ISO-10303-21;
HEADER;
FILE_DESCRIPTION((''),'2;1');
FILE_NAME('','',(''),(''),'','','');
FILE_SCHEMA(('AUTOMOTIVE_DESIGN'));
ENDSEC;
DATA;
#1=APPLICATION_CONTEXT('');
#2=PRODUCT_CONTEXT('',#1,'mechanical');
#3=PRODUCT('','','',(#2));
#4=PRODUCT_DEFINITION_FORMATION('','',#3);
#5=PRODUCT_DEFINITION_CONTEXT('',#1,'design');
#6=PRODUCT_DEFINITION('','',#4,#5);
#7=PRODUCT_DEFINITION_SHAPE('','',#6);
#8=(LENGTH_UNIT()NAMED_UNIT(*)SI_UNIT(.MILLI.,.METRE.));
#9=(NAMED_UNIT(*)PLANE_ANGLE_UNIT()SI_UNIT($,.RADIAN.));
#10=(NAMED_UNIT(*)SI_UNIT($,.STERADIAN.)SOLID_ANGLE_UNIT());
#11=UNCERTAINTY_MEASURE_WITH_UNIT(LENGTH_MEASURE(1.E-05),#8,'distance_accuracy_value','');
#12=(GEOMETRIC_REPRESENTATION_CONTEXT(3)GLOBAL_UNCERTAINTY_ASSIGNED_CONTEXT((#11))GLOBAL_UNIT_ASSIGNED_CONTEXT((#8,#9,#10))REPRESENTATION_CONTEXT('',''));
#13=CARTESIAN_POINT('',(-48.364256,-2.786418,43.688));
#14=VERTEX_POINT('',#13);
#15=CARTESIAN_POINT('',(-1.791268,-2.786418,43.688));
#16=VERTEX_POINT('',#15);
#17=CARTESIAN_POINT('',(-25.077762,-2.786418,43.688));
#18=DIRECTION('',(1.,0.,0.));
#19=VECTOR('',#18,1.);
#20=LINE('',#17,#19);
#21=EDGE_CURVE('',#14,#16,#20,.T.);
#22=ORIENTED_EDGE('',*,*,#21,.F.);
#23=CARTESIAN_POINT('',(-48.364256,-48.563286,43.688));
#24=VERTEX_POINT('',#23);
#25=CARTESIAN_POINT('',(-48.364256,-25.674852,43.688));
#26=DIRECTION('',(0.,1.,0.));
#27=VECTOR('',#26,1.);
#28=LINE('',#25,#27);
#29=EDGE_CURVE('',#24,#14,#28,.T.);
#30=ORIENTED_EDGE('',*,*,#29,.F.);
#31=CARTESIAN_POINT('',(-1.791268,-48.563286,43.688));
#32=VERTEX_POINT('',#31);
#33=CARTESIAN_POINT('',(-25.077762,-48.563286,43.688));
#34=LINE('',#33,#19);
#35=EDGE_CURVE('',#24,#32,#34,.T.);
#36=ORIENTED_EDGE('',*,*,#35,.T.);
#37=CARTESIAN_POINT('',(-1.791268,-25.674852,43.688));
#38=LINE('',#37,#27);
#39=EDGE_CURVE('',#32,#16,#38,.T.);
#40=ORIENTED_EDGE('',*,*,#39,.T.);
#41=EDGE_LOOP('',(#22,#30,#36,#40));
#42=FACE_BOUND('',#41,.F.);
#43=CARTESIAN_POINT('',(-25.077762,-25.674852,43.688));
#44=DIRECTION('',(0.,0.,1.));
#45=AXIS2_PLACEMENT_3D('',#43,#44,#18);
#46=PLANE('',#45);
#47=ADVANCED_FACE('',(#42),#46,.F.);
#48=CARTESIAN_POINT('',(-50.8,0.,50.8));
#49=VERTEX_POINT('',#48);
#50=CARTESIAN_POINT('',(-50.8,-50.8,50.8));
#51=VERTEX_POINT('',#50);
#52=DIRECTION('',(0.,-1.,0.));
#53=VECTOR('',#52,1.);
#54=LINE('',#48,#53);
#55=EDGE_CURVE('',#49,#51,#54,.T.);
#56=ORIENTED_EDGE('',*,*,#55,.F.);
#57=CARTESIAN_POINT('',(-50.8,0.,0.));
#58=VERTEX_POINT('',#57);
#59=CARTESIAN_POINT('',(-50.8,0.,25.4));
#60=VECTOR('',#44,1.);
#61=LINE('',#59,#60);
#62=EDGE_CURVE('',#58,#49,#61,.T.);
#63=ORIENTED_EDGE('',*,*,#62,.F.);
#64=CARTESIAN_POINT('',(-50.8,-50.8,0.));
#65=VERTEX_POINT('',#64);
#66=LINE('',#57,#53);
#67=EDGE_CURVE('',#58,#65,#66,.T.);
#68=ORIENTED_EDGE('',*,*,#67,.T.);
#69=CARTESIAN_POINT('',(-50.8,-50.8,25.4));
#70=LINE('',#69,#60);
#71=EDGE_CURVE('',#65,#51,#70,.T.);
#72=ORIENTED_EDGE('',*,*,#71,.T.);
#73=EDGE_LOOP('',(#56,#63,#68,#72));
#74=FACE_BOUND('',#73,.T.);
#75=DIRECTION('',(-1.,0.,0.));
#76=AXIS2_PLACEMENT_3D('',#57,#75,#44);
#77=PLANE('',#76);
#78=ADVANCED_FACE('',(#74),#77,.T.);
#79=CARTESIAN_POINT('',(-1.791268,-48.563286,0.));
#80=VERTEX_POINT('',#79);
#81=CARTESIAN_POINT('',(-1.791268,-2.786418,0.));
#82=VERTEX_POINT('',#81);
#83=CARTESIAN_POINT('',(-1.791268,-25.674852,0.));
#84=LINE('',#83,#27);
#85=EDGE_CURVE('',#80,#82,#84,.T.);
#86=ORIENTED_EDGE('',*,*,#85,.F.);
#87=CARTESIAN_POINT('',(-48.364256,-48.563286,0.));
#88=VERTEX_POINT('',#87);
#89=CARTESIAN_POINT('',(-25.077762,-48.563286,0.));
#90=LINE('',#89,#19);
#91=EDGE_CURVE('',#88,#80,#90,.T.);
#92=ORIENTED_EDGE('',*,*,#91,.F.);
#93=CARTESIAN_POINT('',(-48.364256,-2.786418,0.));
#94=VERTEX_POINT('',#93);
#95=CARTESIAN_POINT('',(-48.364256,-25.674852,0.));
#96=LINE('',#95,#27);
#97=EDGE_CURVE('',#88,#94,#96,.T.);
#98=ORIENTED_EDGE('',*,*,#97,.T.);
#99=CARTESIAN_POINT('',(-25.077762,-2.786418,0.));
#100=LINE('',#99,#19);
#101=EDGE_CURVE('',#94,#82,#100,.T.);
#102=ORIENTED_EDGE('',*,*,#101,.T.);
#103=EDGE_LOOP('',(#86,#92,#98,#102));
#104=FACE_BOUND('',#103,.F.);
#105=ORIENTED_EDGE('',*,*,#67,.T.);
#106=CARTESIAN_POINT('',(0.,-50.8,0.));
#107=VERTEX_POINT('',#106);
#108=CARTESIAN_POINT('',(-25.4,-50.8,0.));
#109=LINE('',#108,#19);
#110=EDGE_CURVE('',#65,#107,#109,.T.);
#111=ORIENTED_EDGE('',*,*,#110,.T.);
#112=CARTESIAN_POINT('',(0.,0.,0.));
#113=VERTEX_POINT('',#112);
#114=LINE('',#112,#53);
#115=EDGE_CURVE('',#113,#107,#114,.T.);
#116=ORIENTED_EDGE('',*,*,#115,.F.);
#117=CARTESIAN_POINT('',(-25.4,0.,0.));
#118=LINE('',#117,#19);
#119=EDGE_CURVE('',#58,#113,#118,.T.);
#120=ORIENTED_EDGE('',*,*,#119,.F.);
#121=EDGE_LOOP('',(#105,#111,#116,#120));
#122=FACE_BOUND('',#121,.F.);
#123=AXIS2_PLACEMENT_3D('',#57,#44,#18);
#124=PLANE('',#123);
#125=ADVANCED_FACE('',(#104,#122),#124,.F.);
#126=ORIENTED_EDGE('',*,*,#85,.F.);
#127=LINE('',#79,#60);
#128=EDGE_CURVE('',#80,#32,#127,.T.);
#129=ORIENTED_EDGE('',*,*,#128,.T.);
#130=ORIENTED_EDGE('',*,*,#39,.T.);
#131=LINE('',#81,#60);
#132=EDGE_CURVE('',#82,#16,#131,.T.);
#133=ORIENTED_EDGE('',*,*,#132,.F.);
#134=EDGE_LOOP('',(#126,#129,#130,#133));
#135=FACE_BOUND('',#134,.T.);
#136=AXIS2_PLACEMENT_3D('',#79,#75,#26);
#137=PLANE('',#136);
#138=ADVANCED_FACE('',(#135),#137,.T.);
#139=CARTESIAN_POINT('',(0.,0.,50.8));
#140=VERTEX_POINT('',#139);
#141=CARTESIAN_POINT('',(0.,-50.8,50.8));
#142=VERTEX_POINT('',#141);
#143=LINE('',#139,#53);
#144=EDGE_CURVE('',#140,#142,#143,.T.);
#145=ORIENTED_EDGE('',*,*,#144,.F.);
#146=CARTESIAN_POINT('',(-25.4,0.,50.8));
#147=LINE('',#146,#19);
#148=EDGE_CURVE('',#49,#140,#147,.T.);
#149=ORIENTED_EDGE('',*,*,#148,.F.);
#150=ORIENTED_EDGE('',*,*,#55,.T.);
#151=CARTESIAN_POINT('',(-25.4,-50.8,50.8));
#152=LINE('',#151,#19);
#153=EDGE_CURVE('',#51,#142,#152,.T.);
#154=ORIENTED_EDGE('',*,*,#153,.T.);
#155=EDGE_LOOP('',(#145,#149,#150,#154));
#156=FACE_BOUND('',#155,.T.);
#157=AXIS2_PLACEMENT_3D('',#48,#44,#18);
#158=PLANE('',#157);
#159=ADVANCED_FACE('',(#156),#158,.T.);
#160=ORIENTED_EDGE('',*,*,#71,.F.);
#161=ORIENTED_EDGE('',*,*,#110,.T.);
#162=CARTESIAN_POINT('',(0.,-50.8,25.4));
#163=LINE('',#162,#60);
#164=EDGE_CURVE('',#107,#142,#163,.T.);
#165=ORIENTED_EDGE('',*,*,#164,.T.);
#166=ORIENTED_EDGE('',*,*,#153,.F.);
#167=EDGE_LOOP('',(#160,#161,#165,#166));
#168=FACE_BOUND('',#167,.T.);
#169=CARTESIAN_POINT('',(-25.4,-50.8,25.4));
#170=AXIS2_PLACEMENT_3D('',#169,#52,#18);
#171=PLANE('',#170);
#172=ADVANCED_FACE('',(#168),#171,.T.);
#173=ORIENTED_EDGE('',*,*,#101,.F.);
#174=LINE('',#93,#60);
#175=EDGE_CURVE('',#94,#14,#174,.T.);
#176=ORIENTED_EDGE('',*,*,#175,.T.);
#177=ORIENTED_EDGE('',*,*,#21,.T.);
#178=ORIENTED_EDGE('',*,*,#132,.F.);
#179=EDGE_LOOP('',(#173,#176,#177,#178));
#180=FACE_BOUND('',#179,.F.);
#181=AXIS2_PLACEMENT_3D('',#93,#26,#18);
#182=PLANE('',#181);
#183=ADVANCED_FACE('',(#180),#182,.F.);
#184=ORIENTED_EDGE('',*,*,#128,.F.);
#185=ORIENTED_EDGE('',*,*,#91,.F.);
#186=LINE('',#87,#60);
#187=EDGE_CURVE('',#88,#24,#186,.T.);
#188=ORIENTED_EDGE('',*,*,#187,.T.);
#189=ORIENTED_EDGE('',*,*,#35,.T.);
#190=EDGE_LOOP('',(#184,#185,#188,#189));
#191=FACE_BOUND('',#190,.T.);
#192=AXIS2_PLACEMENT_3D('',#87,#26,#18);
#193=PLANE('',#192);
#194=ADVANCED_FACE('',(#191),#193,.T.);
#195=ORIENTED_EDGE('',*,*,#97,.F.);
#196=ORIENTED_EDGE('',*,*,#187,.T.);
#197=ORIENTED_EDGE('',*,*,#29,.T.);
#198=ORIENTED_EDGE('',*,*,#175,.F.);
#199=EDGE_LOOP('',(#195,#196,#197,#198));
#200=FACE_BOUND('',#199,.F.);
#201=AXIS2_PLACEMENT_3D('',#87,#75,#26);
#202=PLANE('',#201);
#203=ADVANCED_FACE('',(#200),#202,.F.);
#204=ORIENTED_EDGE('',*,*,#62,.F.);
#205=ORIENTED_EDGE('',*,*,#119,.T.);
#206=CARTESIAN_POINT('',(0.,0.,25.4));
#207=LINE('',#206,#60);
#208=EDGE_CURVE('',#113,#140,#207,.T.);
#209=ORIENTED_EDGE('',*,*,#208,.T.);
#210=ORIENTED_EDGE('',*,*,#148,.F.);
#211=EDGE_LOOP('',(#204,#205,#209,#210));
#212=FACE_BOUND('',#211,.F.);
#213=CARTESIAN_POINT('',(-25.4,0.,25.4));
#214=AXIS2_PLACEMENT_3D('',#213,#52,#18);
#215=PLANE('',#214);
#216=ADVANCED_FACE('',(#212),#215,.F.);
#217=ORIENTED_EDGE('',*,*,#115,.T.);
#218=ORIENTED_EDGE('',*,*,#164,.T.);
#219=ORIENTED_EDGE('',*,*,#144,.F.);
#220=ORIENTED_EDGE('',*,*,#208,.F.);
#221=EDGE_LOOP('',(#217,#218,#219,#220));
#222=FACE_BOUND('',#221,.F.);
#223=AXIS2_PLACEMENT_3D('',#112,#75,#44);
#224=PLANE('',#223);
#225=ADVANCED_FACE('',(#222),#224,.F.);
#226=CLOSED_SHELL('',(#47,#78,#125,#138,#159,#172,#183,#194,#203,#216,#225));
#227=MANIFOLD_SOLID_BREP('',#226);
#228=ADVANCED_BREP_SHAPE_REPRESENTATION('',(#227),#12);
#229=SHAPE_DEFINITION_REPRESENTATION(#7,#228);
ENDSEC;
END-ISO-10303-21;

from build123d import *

# Parameters (mm, degrees)
F0_W     = 50.8
F0_H     = 50.8
F1_DEPTH = 50.8
F2_W     = 46.572988
F2_H     = 45.776869
F3_DEPTH = 43.688


with BuildPart() as f1:
    # F0 (on Front) → F1 (new body)
    with BuildSketch(Plane.XZ):
        with Locations((-25.4, 25.4)):
            Rectangle(F0_W, F0_H)
    extrude(amount=F1_DEPTH)

    # F2 (on Top) → F3 (cut)
    with BuildSketch(Plane.XY):
        with Locations((-25.077762, -25.674852)):
            Rectangle(F2_W, F2_H)
    extrude(amount=F3_DEPTH, mode=Mode.SUBTRACT)


solid = f1.part
